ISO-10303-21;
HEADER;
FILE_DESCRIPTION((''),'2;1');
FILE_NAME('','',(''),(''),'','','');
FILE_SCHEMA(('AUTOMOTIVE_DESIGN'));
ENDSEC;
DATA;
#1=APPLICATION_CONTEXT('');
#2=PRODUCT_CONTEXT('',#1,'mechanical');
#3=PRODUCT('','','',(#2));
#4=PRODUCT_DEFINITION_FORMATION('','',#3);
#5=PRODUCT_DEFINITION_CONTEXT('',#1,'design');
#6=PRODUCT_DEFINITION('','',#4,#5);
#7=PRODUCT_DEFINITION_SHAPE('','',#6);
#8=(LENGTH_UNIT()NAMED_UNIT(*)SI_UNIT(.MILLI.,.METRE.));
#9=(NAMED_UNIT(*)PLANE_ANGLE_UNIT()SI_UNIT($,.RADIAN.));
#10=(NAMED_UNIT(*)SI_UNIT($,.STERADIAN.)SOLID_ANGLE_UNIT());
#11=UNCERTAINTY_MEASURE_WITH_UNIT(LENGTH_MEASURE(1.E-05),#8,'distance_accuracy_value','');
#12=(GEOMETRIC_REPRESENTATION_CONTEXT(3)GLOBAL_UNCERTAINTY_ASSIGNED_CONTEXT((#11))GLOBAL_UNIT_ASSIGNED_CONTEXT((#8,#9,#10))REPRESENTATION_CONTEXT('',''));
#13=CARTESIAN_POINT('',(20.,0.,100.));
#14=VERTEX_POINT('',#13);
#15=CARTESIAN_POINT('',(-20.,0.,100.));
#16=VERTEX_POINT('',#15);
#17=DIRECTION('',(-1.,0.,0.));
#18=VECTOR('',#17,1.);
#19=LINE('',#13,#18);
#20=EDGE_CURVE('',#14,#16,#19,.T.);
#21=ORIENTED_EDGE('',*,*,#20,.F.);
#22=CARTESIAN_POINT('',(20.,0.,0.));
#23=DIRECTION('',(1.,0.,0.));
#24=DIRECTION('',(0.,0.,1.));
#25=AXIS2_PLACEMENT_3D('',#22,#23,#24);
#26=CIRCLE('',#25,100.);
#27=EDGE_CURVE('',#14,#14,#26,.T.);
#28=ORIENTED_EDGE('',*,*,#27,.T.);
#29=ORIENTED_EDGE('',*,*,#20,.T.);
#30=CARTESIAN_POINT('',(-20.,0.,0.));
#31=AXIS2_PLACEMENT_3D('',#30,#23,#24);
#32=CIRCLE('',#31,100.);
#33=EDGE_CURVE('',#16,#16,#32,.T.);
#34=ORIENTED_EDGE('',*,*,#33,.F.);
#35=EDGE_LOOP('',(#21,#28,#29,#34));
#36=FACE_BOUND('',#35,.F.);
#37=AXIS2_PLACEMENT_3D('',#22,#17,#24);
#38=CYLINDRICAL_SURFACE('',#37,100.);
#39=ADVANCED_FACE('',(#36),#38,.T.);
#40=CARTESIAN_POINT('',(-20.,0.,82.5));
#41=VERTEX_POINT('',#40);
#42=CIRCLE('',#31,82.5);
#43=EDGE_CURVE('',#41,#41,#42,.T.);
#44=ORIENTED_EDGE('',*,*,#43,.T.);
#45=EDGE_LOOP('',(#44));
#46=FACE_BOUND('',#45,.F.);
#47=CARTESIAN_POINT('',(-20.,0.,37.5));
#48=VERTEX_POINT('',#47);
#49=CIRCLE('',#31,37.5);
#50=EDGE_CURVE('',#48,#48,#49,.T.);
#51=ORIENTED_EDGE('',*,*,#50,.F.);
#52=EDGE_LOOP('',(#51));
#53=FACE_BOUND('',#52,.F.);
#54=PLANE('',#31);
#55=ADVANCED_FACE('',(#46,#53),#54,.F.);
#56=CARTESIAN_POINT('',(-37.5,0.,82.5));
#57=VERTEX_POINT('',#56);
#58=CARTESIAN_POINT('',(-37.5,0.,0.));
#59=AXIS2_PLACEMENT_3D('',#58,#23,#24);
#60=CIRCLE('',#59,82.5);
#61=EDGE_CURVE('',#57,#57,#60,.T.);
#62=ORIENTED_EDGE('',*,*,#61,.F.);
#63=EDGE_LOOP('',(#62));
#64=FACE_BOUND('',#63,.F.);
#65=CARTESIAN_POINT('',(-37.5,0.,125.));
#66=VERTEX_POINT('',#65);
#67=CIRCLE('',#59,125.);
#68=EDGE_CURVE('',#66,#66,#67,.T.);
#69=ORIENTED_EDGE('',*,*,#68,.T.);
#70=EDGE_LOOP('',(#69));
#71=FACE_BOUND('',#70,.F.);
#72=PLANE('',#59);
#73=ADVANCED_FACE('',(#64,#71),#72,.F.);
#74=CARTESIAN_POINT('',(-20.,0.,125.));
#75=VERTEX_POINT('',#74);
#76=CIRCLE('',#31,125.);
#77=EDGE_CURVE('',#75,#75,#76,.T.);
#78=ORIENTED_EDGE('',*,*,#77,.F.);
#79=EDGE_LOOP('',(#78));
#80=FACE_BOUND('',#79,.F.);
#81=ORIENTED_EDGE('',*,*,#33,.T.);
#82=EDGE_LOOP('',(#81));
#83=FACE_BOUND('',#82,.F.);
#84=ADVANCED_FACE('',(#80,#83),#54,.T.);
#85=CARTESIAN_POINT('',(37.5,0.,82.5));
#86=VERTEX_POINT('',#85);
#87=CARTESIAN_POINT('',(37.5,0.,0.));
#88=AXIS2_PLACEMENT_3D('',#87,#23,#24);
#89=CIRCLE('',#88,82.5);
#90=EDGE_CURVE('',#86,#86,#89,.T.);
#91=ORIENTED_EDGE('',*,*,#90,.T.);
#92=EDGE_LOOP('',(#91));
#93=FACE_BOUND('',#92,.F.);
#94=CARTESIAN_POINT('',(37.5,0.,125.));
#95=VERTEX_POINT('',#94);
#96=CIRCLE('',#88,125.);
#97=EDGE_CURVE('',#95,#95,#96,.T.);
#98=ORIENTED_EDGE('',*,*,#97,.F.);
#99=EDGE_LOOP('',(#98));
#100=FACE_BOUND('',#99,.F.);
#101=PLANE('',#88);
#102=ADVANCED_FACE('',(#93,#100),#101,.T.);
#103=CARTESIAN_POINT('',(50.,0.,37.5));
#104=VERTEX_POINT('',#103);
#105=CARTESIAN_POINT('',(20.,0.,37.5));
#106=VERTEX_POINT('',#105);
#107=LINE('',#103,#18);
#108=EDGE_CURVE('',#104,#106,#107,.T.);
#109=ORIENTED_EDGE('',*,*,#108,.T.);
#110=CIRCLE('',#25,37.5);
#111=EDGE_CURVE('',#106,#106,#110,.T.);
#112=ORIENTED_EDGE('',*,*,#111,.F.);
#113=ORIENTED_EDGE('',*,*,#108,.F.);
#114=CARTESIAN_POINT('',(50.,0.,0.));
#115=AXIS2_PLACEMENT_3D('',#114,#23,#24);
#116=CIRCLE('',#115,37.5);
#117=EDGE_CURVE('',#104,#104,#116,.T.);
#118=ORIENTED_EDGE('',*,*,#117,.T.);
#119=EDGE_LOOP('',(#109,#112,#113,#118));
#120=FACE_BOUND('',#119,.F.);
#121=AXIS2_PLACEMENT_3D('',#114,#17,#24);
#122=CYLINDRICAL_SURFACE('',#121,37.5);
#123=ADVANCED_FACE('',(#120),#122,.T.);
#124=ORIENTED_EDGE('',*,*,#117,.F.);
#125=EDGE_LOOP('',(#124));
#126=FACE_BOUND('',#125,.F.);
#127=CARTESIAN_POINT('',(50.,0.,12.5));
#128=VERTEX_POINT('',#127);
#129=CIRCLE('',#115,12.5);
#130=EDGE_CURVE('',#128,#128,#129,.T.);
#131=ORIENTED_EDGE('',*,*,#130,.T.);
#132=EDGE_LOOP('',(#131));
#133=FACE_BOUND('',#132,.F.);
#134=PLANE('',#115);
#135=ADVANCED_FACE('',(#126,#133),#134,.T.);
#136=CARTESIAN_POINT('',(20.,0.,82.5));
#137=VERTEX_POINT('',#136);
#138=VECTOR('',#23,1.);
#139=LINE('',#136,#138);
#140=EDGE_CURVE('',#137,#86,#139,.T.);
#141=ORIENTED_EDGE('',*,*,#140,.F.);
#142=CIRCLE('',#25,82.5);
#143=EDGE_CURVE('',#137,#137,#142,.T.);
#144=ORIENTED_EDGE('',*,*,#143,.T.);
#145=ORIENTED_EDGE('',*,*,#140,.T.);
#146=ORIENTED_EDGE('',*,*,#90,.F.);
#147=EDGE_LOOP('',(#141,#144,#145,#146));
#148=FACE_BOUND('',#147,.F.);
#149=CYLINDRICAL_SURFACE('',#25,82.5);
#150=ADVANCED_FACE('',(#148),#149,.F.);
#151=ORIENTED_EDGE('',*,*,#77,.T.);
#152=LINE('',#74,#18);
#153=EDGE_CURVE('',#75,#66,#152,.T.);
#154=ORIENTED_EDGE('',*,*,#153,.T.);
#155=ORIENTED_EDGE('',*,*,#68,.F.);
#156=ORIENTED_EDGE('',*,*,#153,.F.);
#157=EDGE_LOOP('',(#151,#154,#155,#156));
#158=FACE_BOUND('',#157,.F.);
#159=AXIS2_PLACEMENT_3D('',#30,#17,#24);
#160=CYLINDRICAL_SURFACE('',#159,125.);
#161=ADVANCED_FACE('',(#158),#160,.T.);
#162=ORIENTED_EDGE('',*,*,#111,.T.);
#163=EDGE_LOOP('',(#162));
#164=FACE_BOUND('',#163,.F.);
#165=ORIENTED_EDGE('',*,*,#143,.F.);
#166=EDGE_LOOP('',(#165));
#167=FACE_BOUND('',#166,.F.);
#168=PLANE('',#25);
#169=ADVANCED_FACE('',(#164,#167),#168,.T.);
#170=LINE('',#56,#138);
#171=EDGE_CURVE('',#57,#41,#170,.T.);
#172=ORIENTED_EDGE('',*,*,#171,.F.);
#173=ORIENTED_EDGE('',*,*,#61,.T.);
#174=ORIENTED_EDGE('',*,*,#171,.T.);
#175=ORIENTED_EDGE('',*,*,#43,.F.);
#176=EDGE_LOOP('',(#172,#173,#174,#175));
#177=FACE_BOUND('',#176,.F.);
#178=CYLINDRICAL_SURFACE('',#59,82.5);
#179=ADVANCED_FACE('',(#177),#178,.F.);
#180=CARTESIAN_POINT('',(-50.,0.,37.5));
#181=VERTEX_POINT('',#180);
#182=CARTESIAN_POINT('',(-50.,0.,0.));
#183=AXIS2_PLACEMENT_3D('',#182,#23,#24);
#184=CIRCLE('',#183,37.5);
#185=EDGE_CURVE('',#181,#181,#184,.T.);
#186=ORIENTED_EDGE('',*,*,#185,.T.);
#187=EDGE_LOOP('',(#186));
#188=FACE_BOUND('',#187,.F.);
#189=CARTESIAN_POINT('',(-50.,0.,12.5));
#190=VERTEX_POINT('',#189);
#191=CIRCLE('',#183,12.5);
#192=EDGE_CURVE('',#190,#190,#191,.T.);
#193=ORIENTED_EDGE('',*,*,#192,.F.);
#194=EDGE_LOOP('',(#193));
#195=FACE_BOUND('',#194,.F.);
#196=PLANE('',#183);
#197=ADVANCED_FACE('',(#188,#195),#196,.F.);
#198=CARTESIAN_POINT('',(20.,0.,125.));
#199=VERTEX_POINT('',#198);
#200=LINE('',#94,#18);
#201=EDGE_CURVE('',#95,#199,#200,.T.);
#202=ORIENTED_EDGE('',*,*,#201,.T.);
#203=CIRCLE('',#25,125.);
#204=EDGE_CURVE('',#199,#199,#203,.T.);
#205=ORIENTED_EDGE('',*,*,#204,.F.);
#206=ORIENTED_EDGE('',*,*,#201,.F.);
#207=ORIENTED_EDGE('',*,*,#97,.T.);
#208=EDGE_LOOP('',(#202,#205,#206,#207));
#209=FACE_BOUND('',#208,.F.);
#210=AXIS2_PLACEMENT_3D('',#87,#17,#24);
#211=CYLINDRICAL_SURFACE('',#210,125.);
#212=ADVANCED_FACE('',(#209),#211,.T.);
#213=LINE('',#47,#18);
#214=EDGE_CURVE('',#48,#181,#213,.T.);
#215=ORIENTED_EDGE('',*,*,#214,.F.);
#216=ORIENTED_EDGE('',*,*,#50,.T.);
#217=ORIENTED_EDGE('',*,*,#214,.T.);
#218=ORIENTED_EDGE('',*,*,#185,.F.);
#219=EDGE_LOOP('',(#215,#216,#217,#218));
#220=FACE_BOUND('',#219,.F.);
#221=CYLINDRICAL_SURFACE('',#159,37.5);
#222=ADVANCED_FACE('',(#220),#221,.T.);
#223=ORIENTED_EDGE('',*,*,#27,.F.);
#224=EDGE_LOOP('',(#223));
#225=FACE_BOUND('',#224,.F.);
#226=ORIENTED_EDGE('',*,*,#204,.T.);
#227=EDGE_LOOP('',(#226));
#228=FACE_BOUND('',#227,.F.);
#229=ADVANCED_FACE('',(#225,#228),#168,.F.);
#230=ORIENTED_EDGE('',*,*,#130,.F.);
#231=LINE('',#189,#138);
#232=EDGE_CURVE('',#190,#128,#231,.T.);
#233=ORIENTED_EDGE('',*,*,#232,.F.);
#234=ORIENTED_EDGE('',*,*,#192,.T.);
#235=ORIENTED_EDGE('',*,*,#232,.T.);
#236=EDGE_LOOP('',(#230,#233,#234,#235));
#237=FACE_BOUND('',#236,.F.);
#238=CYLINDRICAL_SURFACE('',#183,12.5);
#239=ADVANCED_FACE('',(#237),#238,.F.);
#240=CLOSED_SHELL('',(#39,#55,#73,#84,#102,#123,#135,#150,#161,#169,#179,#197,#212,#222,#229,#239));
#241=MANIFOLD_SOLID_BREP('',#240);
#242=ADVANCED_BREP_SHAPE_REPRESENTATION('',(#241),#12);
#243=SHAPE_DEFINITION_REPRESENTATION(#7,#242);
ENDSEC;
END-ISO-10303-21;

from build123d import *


with BuildPart() as f1:
    # F0 (on Front) → F1 (revolve)
    with BuildSketch(Plane.XZ):
        Polygon((-50, 12.5), (0, 12.5), (50, 12.5), (50, 37.5), (20, 37.5), (20, 82.5), (37.5, 82.5), (37.5, 125), (20, 125), (20, 100), (0, 100), (-20, 100), (-20, 125), (-37.5, 125), (-37.5, 82.5), (-20, 82.5), (-20, 37.5), (-50, 37.5), align=None)
    revolve(axis=Axis((56.406519, 0, 0), (1, 0, 0)))


solid = f1.part
